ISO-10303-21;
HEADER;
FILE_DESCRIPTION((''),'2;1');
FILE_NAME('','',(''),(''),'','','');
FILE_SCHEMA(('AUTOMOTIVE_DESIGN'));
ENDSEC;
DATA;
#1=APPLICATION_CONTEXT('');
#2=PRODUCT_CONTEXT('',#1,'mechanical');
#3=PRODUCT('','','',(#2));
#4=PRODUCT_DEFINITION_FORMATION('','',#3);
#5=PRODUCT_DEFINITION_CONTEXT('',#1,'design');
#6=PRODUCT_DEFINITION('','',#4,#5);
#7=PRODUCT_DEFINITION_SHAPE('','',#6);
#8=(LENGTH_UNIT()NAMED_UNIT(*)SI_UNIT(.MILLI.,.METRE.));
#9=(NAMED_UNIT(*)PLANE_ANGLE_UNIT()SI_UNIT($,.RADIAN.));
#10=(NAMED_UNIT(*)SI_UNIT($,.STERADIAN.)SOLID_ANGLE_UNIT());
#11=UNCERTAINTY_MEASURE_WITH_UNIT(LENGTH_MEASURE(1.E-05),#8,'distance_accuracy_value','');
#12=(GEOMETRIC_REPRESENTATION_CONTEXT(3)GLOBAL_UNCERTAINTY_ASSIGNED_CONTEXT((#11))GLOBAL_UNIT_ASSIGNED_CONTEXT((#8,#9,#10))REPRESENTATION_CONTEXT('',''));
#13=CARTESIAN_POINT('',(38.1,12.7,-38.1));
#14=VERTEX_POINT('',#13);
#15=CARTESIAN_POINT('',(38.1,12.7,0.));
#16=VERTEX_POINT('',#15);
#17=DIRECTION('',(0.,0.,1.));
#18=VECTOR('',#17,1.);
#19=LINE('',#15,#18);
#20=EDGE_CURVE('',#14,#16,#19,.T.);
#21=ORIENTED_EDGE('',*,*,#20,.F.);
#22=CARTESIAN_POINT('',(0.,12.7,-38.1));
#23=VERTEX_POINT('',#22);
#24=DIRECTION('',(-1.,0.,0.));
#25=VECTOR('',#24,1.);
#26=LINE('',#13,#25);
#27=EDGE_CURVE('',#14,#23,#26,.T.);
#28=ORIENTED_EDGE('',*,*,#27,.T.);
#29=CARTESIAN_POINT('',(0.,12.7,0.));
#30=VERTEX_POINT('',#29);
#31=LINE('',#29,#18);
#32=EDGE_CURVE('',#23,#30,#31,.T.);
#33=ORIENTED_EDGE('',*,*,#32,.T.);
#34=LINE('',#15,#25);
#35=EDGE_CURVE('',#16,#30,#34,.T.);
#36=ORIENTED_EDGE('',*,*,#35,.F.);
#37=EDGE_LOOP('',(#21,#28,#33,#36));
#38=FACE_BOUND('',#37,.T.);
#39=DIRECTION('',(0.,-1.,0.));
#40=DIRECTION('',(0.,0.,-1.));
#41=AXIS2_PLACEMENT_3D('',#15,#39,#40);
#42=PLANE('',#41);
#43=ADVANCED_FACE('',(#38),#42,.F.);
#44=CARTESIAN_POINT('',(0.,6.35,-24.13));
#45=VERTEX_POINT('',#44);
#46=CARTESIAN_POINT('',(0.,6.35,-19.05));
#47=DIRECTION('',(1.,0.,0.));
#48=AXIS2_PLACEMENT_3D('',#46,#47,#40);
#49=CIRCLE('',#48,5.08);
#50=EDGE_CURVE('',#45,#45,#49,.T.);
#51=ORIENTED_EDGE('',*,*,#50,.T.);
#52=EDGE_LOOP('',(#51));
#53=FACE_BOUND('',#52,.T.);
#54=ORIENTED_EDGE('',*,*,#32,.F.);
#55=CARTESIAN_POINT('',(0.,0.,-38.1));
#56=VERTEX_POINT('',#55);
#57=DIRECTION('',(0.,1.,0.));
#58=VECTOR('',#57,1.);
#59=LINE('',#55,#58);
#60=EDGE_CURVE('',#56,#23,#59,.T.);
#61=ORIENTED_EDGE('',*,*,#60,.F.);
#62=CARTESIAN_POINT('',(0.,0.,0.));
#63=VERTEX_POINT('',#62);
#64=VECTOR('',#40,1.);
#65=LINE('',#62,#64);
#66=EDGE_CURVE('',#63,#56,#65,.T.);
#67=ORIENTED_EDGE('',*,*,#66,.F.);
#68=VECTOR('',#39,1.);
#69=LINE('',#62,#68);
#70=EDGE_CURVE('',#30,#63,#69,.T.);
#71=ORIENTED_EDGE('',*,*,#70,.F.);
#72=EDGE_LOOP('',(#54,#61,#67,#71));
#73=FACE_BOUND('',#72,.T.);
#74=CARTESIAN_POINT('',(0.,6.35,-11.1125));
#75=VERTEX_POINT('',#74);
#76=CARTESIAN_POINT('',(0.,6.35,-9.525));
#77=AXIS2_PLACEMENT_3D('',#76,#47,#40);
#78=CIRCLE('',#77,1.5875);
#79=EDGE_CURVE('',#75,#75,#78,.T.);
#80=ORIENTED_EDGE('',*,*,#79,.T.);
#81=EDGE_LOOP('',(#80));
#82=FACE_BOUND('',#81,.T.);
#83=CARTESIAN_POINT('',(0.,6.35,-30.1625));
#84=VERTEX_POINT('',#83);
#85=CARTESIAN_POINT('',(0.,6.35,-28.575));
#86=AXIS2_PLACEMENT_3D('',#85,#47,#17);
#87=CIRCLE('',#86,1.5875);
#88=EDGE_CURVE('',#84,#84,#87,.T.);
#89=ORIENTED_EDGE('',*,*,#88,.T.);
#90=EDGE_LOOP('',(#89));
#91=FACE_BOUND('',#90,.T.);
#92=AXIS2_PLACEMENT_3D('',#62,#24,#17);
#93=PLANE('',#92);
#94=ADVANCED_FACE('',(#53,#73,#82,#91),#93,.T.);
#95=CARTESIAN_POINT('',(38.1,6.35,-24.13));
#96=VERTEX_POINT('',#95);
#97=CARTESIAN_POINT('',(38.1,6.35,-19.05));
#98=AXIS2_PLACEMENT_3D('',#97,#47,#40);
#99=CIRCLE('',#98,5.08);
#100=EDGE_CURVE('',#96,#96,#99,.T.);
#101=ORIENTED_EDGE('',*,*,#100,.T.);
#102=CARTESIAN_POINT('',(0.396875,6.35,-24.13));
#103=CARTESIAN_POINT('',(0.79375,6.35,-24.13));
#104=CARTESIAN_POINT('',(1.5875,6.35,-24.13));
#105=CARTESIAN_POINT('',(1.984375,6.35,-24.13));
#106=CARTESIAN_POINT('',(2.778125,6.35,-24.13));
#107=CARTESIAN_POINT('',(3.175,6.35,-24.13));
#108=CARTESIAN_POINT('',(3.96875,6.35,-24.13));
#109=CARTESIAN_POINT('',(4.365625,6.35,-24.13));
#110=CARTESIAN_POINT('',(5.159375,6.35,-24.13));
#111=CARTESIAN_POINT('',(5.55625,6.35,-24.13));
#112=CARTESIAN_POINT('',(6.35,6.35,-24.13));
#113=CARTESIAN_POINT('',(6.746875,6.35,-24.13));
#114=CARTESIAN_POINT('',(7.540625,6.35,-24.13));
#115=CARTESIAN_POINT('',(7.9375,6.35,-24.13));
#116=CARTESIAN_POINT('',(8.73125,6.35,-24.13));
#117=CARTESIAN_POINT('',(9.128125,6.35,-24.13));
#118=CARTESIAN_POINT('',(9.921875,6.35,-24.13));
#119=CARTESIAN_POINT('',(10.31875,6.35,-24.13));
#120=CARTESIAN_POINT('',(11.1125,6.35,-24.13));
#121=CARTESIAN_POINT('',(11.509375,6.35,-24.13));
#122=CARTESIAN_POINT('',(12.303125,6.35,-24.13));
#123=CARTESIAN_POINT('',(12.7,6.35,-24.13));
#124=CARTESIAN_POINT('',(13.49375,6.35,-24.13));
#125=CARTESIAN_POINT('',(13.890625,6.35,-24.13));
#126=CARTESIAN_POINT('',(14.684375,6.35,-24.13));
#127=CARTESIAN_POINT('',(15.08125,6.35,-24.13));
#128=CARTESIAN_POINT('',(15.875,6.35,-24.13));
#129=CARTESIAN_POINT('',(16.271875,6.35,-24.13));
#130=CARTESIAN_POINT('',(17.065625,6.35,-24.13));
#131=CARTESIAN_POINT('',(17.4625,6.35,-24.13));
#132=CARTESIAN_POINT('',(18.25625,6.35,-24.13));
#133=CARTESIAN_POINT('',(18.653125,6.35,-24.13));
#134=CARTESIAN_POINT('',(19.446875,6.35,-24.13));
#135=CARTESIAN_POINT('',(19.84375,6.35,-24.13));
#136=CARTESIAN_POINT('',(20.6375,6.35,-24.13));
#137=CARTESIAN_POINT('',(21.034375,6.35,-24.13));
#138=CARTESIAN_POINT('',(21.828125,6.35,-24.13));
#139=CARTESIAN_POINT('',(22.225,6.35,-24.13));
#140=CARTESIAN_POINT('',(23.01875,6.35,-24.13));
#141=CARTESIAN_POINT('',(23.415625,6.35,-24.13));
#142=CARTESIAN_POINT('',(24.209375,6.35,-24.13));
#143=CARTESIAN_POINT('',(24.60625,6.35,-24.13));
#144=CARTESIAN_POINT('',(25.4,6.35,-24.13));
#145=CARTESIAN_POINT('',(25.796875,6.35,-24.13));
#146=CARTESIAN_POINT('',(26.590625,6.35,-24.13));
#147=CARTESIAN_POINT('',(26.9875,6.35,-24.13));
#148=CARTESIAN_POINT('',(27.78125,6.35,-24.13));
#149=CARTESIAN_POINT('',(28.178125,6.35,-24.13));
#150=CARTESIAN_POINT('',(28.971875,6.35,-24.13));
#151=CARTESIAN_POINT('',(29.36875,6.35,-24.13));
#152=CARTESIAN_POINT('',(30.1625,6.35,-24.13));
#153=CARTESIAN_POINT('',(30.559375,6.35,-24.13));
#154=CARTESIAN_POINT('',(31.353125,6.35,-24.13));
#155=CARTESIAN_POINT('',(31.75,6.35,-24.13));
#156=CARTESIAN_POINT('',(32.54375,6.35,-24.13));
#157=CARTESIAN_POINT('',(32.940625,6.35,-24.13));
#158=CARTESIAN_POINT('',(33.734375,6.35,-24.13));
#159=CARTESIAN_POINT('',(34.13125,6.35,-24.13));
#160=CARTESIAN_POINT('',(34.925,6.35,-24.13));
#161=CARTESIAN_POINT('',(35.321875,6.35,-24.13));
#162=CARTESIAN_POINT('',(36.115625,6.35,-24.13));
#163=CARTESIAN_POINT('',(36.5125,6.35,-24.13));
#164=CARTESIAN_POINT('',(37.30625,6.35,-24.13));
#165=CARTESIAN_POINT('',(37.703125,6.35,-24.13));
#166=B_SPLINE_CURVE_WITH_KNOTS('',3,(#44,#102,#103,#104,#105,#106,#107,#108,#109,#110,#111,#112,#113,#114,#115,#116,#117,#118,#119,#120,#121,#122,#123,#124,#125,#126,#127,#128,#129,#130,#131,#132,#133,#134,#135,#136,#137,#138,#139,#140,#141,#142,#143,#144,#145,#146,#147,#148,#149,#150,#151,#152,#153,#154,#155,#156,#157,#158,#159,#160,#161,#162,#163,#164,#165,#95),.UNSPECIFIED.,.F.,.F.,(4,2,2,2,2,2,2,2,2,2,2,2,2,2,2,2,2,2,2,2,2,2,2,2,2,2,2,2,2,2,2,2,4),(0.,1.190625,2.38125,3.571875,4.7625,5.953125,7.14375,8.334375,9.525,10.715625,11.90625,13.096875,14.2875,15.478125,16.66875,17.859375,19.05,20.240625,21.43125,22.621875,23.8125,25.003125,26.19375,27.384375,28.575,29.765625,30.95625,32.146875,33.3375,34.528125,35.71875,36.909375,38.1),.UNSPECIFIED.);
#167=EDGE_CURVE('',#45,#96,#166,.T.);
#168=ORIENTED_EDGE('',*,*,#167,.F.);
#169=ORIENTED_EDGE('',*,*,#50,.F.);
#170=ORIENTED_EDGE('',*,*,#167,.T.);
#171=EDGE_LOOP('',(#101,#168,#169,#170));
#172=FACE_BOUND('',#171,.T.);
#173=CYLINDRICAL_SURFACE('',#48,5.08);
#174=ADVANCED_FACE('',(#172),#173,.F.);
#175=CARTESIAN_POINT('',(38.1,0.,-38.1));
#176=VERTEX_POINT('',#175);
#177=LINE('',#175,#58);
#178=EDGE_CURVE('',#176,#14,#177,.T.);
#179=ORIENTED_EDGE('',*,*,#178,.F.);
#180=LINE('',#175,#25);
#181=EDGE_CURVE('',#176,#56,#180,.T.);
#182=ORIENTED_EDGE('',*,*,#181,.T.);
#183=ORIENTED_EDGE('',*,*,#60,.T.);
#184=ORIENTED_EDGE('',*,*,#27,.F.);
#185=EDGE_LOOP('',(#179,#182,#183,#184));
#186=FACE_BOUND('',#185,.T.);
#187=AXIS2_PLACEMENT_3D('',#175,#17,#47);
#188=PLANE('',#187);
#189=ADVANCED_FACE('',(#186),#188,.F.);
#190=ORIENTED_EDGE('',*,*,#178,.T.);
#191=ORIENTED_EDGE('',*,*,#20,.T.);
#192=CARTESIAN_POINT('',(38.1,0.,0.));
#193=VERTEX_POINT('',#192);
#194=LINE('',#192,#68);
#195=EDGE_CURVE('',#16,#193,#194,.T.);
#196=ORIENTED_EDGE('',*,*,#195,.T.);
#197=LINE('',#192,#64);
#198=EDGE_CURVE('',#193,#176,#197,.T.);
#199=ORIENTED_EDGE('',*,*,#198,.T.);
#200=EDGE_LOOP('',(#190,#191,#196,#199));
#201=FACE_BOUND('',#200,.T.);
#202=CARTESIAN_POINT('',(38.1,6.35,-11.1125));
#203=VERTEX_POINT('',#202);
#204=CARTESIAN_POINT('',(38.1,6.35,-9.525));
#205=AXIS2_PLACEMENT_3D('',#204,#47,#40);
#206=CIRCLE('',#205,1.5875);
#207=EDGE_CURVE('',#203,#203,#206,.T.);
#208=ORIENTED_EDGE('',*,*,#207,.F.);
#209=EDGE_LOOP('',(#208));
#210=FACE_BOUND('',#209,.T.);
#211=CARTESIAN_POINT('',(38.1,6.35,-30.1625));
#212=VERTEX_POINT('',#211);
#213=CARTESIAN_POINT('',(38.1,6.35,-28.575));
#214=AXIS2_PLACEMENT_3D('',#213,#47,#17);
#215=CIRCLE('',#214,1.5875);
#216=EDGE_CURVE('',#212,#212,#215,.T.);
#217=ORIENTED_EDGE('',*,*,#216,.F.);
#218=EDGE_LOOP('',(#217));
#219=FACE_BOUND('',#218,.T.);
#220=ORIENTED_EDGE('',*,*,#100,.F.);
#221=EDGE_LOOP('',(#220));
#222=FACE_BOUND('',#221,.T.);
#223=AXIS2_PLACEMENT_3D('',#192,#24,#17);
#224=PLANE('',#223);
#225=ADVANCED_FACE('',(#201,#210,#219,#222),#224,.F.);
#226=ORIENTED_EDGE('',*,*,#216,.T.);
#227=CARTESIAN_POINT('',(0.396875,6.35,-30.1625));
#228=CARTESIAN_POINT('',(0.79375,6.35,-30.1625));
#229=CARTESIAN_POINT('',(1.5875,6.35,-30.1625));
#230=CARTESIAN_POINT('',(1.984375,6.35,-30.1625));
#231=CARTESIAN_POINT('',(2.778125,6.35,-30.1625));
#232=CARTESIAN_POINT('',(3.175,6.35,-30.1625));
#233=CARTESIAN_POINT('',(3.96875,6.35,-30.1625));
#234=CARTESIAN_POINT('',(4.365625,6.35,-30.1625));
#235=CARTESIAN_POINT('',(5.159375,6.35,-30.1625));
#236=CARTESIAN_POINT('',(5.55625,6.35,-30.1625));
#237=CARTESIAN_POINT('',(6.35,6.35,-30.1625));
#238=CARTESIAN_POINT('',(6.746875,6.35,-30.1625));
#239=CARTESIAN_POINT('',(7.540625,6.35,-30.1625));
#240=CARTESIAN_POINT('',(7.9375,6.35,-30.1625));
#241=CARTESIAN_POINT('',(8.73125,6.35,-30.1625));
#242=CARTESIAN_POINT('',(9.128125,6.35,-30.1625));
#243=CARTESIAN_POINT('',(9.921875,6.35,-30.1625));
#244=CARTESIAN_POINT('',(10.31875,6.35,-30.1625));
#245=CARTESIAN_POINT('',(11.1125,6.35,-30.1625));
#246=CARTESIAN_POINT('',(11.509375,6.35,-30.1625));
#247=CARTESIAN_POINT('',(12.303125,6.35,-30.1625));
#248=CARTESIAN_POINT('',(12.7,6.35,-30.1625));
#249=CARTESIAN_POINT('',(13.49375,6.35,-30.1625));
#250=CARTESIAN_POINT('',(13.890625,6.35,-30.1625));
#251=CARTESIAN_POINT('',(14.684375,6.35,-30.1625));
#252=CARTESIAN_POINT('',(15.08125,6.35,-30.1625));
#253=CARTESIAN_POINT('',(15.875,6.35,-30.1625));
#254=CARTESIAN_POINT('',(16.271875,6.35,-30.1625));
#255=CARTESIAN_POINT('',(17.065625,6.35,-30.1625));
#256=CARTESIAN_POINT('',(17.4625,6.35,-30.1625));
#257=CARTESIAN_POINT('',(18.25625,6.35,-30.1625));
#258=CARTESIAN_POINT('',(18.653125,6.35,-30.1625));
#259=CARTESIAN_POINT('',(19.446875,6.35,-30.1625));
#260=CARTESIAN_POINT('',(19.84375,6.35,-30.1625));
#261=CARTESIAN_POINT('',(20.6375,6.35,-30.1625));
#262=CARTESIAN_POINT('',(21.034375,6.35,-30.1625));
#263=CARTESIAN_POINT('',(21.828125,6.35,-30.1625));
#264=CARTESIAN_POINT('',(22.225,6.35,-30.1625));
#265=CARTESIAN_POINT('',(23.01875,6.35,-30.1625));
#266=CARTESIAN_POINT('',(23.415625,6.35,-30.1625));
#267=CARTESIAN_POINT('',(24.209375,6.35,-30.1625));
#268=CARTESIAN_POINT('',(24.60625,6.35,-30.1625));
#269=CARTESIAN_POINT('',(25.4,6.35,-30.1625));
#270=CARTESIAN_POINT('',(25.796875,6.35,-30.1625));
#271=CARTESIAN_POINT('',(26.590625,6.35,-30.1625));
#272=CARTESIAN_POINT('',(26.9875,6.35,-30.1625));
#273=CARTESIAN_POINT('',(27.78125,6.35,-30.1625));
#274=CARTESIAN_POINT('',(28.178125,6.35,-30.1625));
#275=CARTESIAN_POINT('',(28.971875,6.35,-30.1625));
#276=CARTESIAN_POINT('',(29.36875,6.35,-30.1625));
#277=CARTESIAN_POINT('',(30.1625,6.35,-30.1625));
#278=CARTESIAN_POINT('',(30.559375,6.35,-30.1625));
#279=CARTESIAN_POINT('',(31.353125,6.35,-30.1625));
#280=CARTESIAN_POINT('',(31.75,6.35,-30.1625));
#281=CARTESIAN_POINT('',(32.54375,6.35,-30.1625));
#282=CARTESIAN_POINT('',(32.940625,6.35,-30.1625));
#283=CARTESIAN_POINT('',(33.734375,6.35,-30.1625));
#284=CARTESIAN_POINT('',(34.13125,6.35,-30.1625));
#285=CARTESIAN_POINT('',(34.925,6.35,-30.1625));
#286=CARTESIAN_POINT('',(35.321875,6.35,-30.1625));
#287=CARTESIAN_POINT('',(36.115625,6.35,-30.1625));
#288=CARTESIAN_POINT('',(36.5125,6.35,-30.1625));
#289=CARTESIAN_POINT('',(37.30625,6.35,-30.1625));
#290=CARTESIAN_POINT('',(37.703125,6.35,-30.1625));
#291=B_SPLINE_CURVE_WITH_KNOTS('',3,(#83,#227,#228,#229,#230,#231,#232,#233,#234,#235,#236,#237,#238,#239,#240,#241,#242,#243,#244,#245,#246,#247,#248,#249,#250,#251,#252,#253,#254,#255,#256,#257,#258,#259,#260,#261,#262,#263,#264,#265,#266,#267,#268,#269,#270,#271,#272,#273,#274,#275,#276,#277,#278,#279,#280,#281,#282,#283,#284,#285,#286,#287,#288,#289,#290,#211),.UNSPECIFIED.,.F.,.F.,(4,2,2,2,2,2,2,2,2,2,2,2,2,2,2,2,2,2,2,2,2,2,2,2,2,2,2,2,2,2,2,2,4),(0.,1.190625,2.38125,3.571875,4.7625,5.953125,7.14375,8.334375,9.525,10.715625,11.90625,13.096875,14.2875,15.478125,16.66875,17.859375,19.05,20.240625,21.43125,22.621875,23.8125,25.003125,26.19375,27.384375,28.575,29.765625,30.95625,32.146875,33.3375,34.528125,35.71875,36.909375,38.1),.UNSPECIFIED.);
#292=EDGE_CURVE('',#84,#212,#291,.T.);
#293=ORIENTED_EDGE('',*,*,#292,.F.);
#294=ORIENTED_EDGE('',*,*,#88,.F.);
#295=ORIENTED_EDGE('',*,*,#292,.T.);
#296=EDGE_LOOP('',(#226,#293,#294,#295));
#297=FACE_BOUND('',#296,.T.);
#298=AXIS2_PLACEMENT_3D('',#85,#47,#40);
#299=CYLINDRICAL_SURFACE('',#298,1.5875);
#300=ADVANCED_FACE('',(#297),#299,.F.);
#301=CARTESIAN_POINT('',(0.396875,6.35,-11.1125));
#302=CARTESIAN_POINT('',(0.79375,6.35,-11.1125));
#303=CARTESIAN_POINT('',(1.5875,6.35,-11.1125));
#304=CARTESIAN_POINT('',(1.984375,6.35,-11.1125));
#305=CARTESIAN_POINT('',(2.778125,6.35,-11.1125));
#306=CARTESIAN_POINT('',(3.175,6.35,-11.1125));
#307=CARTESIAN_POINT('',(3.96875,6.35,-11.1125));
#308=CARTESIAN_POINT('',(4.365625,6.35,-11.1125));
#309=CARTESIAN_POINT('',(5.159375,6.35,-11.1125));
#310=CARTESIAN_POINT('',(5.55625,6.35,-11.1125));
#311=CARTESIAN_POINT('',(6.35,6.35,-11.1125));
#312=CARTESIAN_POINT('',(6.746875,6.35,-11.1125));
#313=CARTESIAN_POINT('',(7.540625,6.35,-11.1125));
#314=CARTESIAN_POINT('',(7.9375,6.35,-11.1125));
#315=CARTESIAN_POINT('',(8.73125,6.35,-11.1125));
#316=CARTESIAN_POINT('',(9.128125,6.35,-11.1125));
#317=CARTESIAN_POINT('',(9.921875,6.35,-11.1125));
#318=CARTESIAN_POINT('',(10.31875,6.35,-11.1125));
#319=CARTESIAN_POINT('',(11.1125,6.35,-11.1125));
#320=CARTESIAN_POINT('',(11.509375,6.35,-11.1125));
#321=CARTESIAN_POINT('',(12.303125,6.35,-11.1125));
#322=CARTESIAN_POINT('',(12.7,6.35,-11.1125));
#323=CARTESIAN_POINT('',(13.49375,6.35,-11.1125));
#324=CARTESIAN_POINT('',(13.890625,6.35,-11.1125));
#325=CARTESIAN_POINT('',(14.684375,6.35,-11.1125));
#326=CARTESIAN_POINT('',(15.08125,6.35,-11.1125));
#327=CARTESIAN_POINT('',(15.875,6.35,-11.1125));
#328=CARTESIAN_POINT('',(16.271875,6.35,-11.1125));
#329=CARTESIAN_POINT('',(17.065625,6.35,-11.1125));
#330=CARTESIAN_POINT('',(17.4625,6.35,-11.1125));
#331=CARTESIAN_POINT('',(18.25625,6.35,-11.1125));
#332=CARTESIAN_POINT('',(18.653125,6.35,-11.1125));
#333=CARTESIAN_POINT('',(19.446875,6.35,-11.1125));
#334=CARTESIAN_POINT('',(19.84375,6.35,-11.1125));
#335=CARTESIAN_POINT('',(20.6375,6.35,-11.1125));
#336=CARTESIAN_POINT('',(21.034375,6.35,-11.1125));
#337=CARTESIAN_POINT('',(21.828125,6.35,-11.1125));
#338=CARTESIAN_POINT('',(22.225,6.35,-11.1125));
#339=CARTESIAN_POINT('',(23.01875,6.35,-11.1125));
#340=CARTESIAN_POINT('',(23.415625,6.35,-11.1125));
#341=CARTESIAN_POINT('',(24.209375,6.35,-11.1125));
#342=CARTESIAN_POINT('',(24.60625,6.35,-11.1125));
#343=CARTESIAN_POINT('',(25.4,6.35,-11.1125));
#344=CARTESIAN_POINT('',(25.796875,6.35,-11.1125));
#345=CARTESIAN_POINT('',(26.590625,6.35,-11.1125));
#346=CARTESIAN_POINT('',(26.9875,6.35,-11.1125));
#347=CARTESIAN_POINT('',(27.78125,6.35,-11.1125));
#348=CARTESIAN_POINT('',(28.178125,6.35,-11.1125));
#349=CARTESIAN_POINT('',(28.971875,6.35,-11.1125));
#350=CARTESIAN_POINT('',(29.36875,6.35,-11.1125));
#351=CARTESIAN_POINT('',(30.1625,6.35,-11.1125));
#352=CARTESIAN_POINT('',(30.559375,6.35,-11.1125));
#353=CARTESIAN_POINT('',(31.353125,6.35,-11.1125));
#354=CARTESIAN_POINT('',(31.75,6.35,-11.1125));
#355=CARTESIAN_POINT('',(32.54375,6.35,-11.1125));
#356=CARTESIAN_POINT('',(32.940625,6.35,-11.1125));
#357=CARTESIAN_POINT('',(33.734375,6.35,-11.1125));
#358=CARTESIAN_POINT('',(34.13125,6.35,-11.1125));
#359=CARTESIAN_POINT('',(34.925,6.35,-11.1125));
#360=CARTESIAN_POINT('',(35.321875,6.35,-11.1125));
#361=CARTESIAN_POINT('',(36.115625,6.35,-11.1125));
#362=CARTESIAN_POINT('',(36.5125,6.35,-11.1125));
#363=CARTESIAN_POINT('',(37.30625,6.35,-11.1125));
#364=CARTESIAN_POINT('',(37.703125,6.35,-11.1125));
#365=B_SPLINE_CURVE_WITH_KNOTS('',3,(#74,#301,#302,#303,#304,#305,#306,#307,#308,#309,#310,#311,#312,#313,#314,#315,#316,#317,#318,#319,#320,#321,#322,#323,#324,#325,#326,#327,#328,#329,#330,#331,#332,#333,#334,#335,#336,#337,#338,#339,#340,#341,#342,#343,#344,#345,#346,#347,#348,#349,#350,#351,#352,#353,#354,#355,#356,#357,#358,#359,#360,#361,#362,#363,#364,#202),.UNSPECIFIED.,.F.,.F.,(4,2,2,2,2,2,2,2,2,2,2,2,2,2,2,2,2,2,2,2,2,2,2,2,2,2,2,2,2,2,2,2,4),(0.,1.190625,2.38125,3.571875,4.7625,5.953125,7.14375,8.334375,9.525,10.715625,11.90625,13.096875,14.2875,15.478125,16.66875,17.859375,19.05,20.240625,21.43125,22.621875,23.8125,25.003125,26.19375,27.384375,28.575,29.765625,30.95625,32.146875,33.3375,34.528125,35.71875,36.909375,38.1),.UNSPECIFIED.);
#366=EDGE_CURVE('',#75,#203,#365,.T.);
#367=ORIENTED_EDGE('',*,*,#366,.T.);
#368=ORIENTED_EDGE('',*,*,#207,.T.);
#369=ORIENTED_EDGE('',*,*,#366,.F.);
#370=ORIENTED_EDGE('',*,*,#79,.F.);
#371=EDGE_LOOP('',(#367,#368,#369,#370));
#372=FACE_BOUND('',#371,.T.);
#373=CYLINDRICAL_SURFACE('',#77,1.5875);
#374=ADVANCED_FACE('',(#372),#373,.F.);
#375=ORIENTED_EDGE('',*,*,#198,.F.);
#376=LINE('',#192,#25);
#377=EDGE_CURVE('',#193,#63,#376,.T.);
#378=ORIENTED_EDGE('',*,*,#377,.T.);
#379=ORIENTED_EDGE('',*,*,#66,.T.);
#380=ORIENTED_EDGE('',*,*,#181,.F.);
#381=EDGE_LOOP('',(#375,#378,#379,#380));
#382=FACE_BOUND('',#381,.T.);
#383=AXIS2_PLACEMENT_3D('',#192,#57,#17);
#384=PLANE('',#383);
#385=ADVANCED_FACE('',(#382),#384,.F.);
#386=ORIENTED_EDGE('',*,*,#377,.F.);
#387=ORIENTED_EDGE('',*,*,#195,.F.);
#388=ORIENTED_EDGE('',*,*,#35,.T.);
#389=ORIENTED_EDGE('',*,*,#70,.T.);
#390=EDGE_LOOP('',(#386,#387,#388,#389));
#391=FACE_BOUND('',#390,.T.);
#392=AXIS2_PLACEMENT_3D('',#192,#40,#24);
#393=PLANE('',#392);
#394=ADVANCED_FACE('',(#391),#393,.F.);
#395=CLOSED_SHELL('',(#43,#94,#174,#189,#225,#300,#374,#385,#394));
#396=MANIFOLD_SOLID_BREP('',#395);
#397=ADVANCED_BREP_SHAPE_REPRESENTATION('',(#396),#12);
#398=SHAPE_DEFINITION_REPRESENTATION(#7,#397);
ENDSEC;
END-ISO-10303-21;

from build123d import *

# Parameters (mm, degrees)
SKETCH1_W           = 38.1
SKETCH1_H           = 12.7
BOSS_EXTRUDE1_DEPTH = 38.1
SKETCH2_R           = 5.08
SKETCH2_R_2         = 1.5875
CUT_EXTRUDE1_DEPTH  = 56.358016583


with BuildPart() as part:
    # Sketch1 → Boss-Extrude1 (new body)
    with BuildSketch(Plane(origin=(0, 0, 0), x_dir=(0, 0, -1), z_dir=(1, 0, 0))):
        with Locations((19.05, 6.35)):
            Rectangle(SKETCH1_W, SKETCH1_H)
    extrude(amount=BOSS_EXTRUDE1_DEPTH)

    # Sketch2 → Cut-Extrude1 (cut, through all)
    with BuildSketch(Plane(origin=(38.1, 0, 0), x_dir=(0, 0, -1), z_dir=(1, 0, 0))):
        with Locations((19.05, 6.35)):
            Circle(SKETCH2_R)
        with Locations((9.525, 6.35)):
            Circle(SKETCH2_R_2)
        with Locations((28.575, 6.35)):
            Circle(SKETCH2_R_2)
    extrude(amount=-CUT_EXTRUDE1_DEPTH, mode=Mode.SUBTRACT)


solid = part.part
